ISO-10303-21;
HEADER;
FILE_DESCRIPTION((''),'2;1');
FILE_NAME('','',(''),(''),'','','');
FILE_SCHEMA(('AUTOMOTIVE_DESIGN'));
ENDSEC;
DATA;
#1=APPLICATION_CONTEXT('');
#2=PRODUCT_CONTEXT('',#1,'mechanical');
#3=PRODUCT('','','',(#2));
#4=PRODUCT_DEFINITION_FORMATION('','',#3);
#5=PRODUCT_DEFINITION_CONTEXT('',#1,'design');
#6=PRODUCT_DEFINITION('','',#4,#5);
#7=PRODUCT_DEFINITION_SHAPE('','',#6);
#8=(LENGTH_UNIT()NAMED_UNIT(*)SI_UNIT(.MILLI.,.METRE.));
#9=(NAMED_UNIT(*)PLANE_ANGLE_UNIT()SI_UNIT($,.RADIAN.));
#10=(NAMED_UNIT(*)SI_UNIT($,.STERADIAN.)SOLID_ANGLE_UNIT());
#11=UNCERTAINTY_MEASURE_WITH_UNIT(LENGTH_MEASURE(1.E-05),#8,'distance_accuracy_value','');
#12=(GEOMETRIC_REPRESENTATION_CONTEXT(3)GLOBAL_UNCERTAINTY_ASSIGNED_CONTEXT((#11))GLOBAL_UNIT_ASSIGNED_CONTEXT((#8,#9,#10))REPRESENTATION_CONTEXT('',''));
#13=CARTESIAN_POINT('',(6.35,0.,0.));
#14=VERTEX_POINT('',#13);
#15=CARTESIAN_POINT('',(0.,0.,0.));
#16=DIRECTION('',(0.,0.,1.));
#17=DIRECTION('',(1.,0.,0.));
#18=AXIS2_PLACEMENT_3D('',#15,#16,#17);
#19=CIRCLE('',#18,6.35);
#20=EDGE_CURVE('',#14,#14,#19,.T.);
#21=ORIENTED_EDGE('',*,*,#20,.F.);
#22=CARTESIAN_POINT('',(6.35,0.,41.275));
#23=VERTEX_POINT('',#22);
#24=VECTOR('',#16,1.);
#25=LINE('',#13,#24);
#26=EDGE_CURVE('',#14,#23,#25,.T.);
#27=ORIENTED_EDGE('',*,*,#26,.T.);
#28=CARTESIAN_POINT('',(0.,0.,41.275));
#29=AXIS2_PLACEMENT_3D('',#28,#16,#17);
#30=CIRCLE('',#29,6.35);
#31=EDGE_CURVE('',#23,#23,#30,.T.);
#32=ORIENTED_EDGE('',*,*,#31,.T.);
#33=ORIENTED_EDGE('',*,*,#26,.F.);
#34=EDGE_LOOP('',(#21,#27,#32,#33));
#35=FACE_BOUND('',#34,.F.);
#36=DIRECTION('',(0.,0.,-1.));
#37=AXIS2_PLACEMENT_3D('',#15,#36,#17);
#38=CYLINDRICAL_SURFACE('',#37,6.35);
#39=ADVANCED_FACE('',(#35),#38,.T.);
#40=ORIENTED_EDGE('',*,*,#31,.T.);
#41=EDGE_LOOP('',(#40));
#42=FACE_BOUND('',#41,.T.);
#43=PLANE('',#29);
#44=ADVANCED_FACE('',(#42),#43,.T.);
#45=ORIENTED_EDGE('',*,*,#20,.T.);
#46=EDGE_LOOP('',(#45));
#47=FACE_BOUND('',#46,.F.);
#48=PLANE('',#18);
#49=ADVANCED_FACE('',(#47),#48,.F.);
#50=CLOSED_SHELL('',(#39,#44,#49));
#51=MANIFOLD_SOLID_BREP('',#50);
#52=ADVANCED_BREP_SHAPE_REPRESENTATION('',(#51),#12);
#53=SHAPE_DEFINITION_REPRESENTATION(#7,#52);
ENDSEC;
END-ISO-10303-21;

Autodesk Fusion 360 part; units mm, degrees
sketch "Sketch1" plane through (0, 0, 0) normal (0, 0, 1) x (1, 0, 0)
  circle A0 centre (0, 0) radius 6.35
  dimension "d1" = 12.7
extrude "Extrude1" add sketch "Sketch1" along normal blind 41.275 in component "Component"
component "Component" placed x (1, 0, 0) y (0, 1, 0) z (0, 0, 1) at (0, 0, 0)
